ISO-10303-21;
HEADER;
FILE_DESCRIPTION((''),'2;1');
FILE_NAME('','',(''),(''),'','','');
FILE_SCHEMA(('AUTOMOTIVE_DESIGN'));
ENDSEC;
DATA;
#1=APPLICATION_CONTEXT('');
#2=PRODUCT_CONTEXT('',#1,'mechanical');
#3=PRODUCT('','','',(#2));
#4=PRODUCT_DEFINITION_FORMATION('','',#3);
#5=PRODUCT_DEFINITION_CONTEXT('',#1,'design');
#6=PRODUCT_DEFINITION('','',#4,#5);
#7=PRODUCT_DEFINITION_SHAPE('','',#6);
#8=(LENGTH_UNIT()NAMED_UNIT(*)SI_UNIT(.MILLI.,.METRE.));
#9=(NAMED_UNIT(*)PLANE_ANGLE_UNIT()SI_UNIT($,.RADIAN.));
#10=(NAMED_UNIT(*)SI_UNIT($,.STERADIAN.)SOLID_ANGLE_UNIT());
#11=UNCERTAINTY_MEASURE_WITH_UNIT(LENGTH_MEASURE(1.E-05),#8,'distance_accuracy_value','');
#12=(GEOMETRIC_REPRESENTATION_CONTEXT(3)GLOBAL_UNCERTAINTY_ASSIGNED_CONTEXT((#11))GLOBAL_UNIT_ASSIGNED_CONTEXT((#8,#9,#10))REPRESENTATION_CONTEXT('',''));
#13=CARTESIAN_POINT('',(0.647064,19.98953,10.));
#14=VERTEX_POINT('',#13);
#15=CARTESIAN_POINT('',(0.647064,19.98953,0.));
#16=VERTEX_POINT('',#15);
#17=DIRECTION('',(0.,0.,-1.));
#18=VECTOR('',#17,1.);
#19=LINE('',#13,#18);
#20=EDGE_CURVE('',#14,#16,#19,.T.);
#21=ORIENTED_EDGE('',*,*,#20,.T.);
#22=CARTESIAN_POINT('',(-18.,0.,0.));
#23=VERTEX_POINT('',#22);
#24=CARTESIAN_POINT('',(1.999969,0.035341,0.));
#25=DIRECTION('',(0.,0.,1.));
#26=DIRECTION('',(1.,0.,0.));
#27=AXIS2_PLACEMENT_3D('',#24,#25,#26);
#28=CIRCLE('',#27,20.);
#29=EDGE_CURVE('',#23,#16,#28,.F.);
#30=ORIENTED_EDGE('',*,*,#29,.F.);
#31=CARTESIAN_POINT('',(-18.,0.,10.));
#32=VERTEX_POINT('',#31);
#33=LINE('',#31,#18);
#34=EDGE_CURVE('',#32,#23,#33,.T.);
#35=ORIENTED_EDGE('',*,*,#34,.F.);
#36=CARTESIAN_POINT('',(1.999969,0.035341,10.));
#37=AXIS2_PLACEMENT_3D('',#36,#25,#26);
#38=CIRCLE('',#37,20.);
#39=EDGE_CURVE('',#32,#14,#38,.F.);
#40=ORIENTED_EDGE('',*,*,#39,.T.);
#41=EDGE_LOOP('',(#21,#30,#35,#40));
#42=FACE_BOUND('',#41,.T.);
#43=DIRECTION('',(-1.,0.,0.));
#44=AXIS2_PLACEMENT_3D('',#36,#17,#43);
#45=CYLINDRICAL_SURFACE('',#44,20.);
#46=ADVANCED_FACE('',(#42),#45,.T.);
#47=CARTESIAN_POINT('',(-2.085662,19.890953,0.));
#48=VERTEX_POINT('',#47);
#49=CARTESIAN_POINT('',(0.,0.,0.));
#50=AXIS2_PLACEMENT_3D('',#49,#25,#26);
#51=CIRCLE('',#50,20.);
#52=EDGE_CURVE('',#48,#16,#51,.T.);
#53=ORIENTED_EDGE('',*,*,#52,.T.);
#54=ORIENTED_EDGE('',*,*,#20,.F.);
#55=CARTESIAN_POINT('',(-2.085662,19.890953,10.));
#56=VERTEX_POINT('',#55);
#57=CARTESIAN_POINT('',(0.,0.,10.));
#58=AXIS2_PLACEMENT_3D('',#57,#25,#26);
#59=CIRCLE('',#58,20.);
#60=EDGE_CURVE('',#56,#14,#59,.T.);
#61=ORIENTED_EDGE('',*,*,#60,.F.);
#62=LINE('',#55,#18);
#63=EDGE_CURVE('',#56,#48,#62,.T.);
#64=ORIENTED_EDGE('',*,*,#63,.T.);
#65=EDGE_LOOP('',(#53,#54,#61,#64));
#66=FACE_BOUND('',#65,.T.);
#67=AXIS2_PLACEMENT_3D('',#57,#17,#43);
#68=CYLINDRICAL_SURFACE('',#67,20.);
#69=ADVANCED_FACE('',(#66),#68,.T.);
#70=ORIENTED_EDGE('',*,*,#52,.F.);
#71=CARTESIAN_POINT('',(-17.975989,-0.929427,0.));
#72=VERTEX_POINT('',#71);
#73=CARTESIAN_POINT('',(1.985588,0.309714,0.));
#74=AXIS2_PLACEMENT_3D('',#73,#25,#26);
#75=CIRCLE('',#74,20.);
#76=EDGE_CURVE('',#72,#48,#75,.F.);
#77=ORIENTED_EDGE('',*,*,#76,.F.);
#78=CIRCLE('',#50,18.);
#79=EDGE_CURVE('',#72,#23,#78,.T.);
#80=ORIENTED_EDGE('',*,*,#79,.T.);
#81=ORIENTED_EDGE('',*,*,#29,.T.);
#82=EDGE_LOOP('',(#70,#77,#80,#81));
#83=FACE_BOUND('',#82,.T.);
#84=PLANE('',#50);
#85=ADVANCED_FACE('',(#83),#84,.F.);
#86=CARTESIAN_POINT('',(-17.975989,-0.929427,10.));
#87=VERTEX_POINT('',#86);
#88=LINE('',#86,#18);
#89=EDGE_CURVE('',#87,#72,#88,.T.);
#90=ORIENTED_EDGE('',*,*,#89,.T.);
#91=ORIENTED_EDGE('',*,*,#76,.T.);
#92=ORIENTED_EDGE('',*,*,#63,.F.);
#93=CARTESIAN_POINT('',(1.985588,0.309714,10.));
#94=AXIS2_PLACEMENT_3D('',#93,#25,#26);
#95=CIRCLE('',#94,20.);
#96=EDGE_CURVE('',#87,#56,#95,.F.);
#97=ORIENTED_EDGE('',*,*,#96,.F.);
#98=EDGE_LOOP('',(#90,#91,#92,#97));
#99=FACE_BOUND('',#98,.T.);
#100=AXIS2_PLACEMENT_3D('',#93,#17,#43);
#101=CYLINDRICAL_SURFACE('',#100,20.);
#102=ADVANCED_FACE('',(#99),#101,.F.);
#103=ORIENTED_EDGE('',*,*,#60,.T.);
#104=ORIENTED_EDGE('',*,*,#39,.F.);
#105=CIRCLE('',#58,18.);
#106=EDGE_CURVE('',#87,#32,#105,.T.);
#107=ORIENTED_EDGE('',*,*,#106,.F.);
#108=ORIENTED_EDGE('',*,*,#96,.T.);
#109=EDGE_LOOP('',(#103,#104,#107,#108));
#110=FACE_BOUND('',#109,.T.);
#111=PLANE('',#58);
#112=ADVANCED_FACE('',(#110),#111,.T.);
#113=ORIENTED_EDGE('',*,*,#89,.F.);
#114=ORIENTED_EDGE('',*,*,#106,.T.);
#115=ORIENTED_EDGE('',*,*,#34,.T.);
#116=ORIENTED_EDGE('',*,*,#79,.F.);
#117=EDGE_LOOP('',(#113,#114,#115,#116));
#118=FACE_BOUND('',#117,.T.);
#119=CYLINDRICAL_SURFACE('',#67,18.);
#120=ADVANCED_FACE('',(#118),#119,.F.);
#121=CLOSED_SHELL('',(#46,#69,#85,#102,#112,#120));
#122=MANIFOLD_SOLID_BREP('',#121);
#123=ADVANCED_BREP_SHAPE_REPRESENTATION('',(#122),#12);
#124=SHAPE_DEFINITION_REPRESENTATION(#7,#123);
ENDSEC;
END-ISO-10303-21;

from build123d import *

# Parameters (mm, degrees)
BOSS_EXTRUDE1_DEPTH = 10


with BuildPart() as part:
    # Sketch1 → Boss-Extrude1 (new body)
    with BuildSketch(Plane.XY):
        with BuildLine():
            ThreePointArc((-2.085662385, 19.890953029), (0.720985818, -19.987000261), (0.647064182, 19.989529958))
            ThreePointArc((0.647064182, 19.989529958), (-12.624723607, 13.677861958), (-18, 0))
            ThreePointArc((-18, 0), (17.993996144, 0.464868564), (-17.97598858, -0.929427016))
            ThreePointArc((-17.97598858, -0.929427016), (-13.913036193, 12.443705778), (-2.085662385, 19.890953029))
        make_face()
    extrude(amount=BOSS_EXTRUDE1_DEPTH)


solid = part.part
